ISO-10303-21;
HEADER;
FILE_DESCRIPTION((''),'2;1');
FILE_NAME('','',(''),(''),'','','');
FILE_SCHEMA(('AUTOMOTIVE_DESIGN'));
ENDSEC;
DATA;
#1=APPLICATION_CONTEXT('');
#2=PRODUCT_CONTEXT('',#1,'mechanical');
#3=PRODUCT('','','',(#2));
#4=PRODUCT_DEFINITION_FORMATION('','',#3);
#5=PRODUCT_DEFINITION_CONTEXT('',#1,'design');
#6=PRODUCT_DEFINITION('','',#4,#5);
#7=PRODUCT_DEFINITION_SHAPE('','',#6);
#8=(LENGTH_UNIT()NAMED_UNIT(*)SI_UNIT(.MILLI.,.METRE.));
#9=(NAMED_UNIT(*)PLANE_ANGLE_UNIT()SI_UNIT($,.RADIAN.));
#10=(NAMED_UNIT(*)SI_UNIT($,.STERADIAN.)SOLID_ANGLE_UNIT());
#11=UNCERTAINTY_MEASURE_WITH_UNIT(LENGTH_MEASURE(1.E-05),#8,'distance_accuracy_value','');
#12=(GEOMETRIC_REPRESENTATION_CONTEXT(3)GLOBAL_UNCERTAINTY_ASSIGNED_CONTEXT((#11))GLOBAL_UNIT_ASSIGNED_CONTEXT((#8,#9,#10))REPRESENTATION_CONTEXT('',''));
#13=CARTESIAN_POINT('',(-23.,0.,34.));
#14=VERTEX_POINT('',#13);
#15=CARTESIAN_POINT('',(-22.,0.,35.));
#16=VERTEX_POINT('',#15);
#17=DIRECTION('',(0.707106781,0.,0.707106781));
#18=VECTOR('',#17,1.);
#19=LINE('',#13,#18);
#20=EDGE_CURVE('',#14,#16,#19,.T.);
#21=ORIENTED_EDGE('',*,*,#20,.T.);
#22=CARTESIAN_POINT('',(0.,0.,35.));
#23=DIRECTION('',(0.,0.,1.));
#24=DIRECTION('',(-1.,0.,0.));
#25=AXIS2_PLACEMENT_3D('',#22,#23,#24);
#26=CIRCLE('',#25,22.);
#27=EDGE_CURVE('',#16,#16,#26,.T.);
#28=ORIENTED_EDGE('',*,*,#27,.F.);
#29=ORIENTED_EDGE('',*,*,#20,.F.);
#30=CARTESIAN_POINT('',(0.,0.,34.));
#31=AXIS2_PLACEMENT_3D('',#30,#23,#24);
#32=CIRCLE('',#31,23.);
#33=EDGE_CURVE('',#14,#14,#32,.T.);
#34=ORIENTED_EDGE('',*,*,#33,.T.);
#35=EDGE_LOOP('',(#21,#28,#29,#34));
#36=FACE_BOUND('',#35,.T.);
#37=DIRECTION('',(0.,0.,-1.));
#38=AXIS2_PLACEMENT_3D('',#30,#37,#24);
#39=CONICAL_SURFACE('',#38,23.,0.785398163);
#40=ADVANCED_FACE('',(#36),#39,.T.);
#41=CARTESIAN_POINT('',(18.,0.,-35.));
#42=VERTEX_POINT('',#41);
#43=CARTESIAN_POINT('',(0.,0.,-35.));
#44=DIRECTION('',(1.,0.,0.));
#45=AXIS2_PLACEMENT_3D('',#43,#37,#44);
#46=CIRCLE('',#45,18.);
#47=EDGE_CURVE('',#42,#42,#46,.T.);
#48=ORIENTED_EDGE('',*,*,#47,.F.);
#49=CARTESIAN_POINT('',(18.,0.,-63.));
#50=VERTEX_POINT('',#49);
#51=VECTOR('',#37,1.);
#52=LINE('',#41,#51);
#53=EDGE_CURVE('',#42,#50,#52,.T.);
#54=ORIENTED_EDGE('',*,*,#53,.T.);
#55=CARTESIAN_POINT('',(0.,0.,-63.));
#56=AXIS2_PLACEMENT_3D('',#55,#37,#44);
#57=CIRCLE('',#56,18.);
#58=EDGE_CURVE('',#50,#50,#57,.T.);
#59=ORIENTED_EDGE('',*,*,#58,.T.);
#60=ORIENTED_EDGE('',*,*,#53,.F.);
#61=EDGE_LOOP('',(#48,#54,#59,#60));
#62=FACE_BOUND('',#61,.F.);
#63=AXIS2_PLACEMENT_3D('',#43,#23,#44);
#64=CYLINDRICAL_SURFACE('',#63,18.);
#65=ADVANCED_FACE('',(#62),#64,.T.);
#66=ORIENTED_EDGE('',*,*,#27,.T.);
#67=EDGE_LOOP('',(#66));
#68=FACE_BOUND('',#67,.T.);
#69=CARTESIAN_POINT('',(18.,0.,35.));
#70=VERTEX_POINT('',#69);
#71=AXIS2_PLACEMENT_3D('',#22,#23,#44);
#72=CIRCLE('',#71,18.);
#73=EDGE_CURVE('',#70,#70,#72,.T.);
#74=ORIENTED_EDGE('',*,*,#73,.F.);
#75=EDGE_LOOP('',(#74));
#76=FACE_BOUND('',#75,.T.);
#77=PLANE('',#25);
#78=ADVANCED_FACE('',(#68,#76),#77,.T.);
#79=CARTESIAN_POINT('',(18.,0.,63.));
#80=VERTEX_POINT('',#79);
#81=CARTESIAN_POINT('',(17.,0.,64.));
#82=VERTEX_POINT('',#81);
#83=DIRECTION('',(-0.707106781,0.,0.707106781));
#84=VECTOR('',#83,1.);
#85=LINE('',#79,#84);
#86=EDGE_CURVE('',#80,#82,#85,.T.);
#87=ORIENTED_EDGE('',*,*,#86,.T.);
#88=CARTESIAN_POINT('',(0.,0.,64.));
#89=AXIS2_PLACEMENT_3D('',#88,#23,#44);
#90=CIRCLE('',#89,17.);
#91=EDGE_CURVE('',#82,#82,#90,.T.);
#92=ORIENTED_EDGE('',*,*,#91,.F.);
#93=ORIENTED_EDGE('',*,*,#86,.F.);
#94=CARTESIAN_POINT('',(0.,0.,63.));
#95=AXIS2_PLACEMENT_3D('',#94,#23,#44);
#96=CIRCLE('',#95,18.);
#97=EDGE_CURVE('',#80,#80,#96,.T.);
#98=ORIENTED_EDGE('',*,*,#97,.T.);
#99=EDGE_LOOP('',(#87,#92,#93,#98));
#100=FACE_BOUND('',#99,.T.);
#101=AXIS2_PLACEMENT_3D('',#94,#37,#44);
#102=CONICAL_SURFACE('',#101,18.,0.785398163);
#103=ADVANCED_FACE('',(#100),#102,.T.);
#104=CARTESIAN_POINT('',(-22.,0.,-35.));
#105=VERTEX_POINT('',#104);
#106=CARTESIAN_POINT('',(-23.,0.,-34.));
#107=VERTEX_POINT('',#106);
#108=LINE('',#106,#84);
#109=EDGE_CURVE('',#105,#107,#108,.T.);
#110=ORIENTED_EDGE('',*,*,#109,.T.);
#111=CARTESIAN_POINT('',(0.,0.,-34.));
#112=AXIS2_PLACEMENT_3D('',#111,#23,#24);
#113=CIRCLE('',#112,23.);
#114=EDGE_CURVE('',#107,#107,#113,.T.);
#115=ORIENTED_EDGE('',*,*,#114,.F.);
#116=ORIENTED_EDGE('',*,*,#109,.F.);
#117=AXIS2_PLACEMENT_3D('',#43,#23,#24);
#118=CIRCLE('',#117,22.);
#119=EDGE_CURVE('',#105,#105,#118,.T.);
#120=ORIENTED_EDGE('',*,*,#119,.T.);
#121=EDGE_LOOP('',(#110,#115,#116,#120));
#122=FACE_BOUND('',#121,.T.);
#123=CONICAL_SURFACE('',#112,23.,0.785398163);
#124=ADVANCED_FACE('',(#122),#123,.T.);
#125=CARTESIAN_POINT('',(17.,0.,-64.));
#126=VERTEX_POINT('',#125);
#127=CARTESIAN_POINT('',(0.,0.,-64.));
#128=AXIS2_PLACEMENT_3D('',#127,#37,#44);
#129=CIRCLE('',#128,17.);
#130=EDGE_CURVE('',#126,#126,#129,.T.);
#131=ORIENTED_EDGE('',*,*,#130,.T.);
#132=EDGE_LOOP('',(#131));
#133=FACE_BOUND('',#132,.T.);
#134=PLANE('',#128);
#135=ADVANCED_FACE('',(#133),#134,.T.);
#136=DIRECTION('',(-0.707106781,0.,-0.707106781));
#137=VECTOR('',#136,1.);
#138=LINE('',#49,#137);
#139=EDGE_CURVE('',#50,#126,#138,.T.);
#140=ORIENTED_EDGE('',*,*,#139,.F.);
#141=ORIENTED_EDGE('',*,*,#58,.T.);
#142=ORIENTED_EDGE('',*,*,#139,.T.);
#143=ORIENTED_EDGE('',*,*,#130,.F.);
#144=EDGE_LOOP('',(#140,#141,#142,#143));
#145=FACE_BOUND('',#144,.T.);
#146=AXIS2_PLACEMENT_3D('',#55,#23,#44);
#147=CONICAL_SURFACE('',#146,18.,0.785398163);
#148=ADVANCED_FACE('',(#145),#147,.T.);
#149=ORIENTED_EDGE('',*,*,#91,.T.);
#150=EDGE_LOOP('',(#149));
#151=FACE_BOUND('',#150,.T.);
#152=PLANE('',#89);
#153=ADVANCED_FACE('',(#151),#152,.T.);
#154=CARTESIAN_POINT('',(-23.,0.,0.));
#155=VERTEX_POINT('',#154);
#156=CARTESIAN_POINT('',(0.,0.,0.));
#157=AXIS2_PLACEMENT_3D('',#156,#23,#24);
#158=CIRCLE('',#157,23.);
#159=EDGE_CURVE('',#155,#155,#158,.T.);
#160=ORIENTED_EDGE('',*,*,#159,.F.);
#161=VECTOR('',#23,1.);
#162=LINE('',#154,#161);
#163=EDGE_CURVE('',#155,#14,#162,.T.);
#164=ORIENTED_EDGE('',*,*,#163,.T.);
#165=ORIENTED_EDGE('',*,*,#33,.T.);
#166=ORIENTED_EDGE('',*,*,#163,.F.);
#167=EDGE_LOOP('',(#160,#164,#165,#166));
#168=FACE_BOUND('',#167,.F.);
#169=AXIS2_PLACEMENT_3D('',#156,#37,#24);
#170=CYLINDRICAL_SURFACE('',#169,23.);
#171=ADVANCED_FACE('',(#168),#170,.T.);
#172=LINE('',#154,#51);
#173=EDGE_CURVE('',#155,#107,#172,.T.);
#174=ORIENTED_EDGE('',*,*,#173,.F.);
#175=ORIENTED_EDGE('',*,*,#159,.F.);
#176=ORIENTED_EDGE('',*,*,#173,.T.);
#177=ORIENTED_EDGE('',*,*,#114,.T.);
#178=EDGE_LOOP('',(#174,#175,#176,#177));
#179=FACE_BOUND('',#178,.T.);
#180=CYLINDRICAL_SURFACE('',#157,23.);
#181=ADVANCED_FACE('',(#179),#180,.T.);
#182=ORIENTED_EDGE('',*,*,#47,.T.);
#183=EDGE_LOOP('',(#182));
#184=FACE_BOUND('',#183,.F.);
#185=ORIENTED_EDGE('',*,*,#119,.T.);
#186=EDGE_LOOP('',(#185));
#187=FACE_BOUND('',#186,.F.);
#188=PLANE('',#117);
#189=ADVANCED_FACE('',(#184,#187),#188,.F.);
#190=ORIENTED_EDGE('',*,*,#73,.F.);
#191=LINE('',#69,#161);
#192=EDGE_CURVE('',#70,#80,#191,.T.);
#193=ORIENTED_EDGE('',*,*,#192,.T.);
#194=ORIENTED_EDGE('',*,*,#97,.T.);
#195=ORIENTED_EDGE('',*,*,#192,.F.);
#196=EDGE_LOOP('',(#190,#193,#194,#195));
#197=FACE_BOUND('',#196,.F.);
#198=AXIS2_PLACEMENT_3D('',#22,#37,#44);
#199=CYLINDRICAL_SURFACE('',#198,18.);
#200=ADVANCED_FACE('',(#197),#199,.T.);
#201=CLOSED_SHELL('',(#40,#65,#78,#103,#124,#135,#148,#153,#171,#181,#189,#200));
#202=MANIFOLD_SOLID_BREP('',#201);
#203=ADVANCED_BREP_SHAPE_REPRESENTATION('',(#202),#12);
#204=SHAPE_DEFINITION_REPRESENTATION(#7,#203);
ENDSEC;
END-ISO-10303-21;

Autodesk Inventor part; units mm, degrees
ref_plane "YZ Plane" through (0, 0, 0) normal (1, 0, 0) x (0, 1, 0)
ref_plane "XZ Plane" through (0, 0, 0) normal (0, 1, 0) x (-1, 0, 0)
ref_plane "XY Plane" through (0, 0, 0) normal (0, 0, 1) x (1, 0, 0)
sketch "Esboço1" plane through (0, 0, 0) normal (0, 0, 1) x (-1, 0, 0)
  circle A0 centre (0, 0) radius 23
  dimension "d0" = 46
extrude "Extrusão1" add sketch "Esboço1" along normal mid plane 70
sketch "Esboço2" plane through (0, 0, -35) normal (0, 0, -1) x (1, 0, 0)
  circle A0 centre (0, 0) radius 18
  dimension "d3" = 36
extrude "Extrusão2" add sketch "Esboço2" along normal blind 29
sketch "Esboço3" plane through (0, 0, 35) normal (0, 0, 1) x (1, 0, 0)
  circle A0 centre (0, 0) radius 18
  dimension "d6" = 36
extrude "Extrusão3" add sketch "Esboço3" along normal blind 29
chamfer "Chanfro1" distance 1 angle 45 1 edges at (-18, 0, -64)
chamfer "Chanfro2" distance 1 angle 45 3 edges at (23, 0, -35) (23, 0, 35) (-18, 0, 64)
properties material "Liga de aço"
